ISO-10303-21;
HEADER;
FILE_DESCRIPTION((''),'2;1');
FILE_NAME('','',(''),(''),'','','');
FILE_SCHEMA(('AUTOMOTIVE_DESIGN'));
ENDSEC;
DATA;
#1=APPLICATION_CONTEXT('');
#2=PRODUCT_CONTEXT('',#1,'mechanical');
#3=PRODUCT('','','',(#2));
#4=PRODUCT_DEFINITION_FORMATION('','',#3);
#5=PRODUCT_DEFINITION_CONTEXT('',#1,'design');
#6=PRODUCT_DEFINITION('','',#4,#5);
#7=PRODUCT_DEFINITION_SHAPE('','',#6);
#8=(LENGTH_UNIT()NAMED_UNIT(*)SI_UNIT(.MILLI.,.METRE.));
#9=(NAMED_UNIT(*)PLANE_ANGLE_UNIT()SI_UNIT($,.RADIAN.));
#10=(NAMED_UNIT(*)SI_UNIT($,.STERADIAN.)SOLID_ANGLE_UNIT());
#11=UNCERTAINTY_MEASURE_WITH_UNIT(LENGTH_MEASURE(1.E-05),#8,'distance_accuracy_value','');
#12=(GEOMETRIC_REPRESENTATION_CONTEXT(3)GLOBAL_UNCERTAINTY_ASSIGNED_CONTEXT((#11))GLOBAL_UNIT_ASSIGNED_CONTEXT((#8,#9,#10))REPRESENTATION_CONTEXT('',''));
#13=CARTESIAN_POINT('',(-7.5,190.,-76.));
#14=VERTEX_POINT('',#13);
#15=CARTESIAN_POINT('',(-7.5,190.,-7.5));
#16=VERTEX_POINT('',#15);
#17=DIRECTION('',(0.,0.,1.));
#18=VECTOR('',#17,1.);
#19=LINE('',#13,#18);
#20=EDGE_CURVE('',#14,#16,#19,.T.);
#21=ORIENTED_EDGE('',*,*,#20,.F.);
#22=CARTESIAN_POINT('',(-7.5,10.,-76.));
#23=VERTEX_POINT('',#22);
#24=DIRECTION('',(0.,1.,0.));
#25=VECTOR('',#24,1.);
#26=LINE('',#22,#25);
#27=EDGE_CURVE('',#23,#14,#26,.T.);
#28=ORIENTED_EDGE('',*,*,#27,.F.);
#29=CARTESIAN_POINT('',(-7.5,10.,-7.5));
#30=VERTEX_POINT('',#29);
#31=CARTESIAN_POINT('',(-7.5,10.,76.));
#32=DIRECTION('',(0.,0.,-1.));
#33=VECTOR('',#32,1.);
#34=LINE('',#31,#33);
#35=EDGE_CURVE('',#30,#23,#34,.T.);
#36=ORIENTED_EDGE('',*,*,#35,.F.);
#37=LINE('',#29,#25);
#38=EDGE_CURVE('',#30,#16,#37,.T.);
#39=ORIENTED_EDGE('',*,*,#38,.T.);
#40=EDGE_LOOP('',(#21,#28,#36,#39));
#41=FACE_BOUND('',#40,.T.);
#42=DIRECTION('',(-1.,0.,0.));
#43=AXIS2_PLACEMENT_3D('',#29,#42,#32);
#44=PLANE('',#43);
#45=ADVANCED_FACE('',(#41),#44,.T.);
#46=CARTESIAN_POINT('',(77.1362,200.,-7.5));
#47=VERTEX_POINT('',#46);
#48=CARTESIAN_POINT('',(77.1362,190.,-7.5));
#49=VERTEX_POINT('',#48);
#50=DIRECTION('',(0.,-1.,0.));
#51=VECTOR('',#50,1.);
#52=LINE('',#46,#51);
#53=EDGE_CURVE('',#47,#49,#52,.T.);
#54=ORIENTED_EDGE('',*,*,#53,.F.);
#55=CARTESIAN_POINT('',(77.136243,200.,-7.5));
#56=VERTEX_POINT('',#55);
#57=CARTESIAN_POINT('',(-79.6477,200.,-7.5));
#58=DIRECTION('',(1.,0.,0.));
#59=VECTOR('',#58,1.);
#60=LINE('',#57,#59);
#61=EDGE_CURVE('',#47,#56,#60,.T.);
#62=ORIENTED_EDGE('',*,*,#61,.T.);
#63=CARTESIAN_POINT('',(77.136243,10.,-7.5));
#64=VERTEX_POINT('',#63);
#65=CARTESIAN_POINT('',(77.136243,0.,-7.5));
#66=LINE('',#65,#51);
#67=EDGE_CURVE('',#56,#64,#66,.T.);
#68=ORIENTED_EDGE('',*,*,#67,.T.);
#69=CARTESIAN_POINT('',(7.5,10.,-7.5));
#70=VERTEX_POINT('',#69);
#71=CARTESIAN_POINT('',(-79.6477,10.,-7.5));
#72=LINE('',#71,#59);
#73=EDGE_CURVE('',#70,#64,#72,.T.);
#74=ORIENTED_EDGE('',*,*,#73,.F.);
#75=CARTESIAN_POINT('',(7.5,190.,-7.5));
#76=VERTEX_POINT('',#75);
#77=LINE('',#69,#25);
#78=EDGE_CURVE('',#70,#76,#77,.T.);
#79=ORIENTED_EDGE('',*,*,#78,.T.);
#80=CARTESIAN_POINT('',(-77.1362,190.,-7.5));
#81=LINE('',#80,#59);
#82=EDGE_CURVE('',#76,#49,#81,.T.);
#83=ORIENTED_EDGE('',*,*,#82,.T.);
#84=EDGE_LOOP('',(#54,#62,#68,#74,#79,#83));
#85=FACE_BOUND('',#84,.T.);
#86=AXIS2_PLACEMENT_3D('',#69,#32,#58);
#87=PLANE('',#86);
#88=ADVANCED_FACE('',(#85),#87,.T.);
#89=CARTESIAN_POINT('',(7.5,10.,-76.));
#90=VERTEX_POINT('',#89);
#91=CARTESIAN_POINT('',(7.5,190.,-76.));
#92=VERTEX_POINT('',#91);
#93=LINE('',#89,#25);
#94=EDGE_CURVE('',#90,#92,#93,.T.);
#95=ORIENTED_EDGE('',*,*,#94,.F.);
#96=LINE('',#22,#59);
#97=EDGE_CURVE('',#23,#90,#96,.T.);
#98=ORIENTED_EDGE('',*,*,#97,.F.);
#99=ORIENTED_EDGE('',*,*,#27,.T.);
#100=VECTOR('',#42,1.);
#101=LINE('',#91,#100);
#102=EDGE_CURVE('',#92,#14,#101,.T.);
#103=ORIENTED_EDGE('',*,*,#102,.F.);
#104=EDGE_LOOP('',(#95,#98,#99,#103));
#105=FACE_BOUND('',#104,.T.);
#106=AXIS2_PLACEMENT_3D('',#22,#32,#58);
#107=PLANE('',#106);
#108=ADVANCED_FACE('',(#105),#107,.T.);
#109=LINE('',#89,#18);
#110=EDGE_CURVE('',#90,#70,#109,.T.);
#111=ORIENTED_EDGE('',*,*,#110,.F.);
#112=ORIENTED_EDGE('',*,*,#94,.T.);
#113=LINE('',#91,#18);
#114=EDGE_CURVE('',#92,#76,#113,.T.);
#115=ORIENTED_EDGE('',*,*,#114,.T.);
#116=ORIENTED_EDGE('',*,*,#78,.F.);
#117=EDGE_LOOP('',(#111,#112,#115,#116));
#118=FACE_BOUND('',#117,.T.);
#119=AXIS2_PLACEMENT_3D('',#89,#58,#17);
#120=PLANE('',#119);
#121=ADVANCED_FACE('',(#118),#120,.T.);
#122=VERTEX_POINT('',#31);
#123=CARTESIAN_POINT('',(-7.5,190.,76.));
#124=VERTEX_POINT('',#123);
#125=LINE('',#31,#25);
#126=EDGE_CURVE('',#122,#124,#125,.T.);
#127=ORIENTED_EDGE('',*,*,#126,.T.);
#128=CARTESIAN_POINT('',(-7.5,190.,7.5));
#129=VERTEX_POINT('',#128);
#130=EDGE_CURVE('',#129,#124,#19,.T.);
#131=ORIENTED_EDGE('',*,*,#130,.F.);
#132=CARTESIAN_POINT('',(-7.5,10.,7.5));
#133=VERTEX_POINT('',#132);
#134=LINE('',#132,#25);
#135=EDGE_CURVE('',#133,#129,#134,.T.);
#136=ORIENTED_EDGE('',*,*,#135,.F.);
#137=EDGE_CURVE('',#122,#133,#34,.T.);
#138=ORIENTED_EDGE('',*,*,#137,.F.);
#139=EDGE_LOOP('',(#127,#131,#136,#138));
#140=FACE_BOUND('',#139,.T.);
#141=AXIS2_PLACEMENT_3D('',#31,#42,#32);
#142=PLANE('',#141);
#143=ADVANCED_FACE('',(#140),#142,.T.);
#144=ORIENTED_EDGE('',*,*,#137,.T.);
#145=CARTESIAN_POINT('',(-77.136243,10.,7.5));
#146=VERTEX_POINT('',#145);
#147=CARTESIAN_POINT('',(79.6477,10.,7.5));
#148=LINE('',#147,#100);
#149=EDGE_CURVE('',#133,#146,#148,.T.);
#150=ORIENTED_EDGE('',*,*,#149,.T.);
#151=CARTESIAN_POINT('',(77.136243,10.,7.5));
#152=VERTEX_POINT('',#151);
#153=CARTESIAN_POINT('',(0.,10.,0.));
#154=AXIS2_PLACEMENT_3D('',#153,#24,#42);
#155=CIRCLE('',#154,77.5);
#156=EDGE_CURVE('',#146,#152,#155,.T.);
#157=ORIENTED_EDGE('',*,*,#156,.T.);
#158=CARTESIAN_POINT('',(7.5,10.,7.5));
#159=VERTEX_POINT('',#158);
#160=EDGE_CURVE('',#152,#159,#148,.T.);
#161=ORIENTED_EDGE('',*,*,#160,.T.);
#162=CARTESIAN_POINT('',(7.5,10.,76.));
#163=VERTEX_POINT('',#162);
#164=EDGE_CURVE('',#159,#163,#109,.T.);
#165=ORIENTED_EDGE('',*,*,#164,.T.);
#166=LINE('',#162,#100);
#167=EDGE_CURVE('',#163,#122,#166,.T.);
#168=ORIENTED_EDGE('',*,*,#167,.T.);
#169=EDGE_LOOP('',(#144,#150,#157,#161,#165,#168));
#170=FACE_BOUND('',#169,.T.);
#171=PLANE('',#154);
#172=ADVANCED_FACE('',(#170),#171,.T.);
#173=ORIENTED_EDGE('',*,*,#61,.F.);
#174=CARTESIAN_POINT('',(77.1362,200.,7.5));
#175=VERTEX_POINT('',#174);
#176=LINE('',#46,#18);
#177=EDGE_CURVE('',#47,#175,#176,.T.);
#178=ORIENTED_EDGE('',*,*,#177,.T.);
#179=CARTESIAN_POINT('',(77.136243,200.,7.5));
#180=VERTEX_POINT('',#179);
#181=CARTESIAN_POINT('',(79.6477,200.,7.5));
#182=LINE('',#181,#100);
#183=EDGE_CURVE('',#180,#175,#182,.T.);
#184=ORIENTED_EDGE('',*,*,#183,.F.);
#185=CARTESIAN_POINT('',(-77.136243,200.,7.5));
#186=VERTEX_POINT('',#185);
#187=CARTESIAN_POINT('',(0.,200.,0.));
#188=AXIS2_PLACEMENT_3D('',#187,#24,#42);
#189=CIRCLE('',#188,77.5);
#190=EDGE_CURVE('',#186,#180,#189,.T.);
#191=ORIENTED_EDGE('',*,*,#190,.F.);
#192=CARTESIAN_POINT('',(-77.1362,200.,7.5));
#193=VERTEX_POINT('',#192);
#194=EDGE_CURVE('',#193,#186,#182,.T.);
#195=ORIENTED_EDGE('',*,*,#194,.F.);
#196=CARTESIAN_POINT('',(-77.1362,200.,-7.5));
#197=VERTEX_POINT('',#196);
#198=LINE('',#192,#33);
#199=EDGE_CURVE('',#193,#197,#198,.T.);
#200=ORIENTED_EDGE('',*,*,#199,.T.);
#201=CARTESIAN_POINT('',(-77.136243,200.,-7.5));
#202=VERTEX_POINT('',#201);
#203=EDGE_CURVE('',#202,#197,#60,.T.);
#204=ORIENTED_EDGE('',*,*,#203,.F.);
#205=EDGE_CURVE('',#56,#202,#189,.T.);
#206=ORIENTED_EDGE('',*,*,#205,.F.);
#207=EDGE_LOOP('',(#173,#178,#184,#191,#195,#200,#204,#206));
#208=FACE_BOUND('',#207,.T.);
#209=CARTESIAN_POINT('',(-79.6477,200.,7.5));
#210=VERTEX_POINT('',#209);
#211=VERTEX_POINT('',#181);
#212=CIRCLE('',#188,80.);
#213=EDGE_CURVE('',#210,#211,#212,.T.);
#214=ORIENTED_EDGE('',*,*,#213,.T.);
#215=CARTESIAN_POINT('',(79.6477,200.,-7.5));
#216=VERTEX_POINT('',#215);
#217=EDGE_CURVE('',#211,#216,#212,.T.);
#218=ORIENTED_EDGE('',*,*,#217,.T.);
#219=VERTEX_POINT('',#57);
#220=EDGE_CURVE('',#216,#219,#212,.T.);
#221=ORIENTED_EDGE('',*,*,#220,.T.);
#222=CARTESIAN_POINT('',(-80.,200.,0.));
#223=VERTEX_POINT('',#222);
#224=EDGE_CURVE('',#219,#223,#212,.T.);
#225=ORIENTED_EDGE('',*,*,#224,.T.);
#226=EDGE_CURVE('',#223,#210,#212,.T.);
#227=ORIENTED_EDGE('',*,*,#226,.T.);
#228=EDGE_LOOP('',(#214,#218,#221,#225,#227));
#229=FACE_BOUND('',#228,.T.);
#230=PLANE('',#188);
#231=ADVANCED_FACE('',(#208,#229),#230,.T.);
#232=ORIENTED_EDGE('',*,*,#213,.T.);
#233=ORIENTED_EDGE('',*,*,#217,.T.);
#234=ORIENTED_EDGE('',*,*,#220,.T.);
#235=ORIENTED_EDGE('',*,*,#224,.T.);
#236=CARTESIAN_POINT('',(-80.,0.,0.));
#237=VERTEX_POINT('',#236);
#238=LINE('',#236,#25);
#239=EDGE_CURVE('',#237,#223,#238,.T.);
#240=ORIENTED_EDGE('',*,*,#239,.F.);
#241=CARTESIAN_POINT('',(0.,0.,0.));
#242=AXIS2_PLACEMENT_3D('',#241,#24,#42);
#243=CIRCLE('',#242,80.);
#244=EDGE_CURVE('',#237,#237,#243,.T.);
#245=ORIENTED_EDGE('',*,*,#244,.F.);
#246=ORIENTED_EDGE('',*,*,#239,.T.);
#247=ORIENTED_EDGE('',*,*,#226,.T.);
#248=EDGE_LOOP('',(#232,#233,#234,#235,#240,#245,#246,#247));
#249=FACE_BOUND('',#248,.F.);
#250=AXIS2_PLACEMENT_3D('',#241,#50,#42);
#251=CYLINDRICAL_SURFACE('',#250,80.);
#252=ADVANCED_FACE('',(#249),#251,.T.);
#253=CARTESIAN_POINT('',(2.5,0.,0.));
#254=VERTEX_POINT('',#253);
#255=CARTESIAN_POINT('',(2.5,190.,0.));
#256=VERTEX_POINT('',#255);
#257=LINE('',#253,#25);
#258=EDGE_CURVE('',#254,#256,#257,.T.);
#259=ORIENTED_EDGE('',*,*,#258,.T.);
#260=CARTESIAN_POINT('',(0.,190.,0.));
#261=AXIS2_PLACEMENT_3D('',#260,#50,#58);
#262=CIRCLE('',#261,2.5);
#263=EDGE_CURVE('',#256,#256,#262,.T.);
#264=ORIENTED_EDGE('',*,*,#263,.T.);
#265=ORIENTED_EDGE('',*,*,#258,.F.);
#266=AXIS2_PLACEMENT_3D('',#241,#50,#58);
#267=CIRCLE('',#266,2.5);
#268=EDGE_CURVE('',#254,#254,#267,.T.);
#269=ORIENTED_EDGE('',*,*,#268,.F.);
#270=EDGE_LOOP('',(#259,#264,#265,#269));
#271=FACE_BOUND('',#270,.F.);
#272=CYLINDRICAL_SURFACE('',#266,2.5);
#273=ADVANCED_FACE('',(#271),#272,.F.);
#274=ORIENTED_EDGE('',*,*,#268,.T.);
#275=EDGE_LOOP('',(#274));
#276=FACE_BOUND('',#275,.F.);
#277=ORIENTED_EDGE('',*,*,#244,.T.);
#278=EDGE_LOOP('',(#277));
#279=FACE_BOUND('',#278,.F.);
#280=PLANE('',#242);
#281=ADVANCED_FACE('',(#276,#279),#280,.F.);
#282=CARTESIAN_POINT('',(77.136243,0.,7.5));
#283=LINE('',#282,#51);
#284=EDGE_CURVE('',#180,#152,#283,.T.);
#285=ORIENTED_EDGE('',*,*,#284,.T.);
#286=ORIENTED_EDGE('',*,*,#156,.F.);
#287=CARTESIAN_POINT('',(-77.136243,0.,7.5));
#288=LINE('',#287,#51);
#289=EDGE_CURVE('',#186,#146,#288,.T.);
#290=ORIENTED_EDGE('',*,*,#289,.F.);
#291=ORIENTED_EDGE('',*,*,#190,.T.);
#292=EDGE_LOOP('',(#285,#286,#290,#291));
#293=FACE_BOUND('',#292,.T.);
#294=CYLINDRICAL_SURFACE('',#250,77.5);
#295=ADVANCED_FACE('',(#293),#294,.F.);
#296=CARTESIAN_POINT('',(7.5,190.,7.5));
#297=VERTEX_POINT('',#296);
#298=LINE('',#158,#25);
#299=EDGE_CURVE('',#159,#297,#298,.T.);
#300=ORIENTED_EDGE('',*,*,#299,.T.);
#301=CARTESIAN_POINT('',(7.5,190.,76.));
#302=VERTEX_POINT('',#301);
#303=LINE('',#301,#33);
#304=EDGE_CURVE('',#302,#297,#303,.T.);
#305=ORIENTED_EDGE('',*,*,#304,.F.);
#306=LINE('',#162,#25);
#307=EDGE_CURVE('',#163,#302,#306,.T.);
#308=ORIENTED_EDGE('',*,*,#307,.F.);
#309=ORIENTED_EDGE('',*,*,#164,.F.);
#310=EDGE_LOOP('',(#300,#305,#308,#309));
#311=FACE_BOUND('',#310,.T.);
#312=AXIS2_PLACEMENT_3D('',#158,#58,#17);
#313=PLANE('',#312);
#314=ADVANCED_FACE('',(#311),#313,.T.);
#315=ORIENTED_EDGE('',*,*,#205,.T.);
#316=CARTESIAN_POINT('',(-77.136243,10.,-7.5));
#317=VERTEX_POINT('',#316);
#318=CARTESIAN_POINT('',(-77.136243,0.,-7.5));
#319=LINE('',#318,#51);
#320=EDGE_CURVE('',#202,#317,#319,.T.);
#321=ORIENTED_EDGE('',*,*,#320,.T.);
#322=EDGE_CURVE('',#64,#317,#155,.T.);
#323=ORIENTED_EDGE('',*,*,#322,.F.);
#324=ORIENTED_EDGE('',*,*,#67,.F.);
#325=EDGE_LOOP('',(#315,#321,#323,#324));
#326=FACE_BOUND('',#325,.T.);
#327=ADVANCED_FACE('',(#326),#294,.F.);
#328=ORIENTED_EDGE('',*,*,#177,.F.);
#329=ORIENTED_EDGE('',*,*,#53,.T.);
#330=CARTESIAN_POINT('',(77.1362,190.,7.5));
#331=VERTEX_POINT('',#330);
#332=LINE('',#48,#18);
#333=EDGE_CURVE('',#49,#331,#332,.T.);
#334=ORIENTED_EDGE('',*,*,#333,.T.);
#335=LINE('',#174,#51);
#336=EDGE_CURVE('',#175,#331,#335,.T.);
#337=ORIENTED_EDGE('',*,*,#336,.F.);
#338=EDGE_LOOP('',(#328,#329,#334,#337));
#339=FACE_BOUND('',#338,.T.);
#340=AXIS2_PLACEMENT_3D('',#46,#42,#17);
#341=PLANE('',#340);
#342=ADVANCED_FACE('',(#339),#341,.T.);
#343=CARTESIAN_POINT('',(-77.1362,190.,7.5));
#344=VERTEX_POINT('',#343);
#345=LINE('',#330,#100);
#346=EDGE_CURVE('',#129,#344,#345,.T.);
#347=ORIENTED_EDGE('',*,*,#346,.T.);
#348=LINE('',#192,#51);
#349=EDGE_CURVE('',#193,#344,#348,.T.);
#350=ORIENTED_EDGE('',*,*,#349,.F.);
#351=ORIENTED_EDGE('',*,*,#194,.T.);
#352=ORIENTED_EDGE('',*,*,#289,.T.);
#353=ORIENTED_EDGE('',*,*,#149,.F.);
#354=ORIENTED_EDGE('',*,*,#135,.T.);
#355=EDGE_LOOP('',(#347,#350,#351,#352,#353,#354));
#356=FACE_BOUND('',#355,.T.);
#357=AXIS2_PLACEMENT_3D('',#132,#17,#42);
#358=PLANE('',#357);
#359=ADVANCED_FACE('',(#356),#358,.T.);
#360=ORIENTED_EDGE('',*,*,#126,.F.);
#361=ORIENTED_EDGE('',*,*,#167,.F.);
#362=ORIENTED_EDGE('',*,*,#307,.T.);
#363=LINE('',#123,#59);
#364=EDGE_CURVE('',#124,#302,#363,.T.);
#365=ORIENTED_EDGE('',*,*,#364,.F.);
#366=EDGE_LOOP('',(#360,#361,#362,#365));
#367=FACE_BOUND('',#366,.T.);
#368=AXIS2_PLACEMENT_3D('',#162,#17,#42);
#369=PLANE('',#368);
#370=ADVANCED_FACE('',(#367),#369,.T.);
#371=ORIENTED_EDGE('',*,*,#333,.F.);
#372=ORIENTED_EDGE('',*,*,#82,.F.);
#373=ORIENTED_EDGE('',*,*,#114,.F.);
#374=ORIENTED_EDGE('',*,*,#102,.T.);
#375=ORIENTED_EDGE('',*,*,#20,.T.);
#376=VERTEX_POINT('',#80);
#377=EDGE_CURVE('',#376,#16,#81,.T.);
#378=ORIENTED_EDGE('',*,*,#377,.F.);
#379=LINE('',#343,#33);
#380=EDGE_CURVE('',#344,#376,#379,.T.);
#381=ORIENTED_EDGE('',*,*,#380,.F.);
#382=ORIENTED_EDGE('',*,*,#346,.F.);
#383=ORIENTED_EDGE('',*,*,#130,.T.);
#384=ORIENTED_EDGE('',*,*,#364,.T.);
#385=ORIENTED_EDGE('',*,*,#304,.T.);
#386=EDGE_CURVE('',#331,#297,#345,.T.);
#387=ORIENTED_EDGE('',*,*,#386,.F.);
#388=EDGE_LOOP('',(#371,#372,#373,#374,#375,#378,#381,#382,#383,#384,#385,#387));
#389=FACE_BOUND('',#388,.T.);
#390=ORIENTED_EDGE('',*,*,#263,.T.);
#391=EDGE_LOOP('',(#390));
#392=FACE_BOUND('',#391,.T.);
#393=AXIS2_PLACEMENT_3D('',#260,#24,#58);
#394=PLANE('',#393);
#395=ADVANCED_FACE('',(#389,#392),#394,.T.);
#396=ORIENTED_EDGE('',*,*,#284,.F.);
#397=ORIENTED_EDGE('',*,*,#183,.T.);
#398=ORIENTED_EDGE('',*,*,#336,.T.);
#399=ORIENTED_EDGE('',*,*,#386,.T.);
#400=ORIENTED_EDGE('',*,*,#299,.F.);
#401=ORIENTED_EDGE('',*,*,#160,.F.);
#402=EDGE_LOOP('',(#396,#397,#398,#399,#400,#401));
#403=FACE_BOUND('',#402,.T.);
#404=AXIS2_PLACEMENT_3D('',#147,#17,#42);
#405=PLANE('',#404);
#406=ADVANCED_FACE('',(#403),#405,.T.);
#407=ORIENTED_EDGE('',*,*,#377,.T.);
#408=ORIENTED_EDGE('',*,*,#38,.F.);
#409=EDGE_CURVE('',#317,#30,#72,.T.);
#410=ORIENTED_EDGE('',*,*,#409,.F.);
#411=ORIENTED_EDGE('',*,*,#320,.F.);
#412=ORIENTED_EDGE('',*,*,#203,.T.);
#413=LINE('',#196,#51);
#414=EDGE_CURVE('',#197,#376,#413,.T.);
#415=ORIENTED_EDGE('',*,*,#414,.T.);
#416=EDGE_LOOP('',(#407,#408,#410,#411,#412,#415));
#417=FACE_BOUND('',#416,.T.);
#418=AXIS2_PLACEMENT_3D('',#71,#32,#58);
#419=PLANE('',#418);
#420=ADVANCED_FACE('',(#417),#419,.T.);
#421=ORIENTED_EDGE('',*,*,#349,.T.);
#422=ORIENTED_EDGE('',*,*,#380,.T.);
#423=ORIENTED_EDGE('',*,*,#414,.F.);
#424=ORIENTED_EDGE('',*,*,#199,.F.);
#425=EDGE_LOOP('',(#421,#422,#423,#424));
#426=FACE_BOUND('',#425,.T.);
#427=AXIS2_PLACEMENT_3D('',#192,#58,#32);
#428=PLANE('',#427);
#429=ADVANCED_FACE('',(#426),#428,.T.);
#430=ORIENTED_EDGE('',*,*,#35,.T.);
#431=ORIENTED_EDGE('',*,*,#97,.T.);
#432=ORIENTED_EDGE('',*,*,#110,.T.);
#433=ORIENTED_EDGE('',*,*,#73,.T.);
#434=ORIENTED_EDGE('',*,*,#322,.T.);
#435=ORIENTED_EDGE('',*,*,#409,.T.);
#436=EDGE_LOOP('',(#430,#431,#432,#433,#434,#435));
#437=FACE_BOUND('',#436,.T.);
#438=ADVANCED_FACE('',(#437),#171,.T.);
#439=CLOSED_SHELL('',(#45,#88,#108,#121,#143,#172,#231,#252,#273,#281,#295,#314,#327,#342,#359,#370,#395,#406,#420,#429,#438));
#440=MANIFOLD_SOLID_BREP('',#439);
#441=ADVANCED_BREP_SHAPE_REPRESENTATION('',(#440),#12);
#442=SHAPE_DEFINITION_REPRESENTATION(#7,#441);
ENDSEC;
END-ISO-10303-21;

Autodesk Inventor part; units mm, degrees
ref_plane "XZ Plane" through (0, 0, 0) normal (0, 1, 0) x (-1, 0, 0)
ref_plane "Work Plane1" through (0, 0, 0) normal (1, 0, 0) x (0, 1, 0)
ref_plane "Work Plane2" through (0, 0, 0) normal (0, 0, 1) x (1, 0, 0)
sketch "Sketch1" plane through (0, 0, 0) normal (0, 1, 0) x (-1, 0, 0)
  circle A0 centre (0, 0) radius 80
  circle A1 centre (0, 0) radius 77.5
  dimension "d0" = 160
  dimension "d1" = 155
extrude "Extrusion1" add sketch "Sketch1" along normal blind 200
sketch "Sketch2" plane through (0, 0, 0) normal (0, 1, 0) x (-1, 0, 0)
  circle A0 centre (0, 0) radius 77.5
  dimension "d4" = 155
extrude "Extrusion2" add sketch "Sketch2" along normal blind 10
sketch "Sketch3" plane through (0, 10, 0) normal (0, 1, 0) x (1, 0, 0)
  circle A0 centre (0, 0) radius 80 projected
  line L0 (79.6477, -7.5) -> (-79.6477, -7.5)
  line L1 (-79.6477, -7.5) -> (-79.6477, 7.5)
  line L2 (-79.6477, 7.5) -> (79.6477, 7.5)
  line L3 (79.6477, 7.5) -> (79.6477, -7.5)
  line L4 (79.6477, -7.5) -> (-79.6477, 7.5) construction
  line L5 (-79.6477, -7.5) -> (79.6477, 7.5) construction
  line L6 (7.5, -76) -> (-7.5, -76)
  line L7 (-7.5, -76) -> (-7.5, 76)
  line L8 (-7.5, 76) -> (7.5, 76)
  line L9 (7.5, 76) -> (7.5, -76)
  line L10 (7.5, -76) -> (-7.5, 76) construction
  line L11 (-7.5, -76) -> (7.5, 76) construction
  point P0 (-7.5, 7.5)
  point P1 (-7.5, -7.5)
  point P2 (7.5, -7.5)
  point P3 (7.5, 7.5)
  dimension "d7" = 15
  dimension "d8" = 15
  dimension "d9" = 152
extrude "Extrusion3" add sketch "Sketch3" along normal blind 190 contours L3 L0 L9 L2 | L2 L7 L0 L1 | L9 L0 L7 L2 | L2 L7 L8 L9 | L9 L6 L7 L0
sketch "Sketch4" plane through (0, 0, 0) normal (0, -1, 0) x (1, 0, 0)
  circle A0 centre (0, 0) radius 2.5
  dimension "d14" = 5
extrude "Extrusion4" cut sketch "Sketch4" against normal blind 190
sketch "Sketch5" plane through (0, 200, 0) normal (0, 1, 0) x (1, 0, 0)
  line L0 (7.5, 76) -> (7.5, 7.5) projected
  line L1 (-7.5, -76) -> (7.5, -76)
  line L2 (7.5, -76) -> (7.5, 76)
  line L3 (7.5, 76) -> (-7.5, 76)
  line L4 (-7.5, 76) -> (-7.5, -76)
  circle A0 centre (0, 0) radius 2.5 projected
  line L5 (-7.5, -76) -> (7.5, 76) construction
  line L6 (7.5, -76) -> (-7.5, 76) construction
  line L7 (-77.1362, 7.5) -> (77.1362, 7.5)
  line L8 (77.1362, 7.5) -> (77.1362, -7.5)
  line L9 (77.1362, -7.5) -> (-77.1362, -7.5)
  line L10 (-77.1362, -7.5) -> (-77.1362, 7.5)
  line L11 (-77.1362, 7.5) -> (77.1362, -7.5) construction
  line L12 (77.1362, 7.5) -> (-77.1362, -7.5) construction
  point P0 (-7.5, 7.5)
  point P1 (-7.5, -7.5)
  point P2 (7.5, -7.5)
extrude "Extrusion5" cut sketch "Sketch5" against normal blind 10 contours L0 L7 L4 L3 | L7 L8 L9 L2 | L2 L9 L4 L7 | L2 L1 L4 L9 | L4 L9 L10 L7 | A0
properties part number "aa"
